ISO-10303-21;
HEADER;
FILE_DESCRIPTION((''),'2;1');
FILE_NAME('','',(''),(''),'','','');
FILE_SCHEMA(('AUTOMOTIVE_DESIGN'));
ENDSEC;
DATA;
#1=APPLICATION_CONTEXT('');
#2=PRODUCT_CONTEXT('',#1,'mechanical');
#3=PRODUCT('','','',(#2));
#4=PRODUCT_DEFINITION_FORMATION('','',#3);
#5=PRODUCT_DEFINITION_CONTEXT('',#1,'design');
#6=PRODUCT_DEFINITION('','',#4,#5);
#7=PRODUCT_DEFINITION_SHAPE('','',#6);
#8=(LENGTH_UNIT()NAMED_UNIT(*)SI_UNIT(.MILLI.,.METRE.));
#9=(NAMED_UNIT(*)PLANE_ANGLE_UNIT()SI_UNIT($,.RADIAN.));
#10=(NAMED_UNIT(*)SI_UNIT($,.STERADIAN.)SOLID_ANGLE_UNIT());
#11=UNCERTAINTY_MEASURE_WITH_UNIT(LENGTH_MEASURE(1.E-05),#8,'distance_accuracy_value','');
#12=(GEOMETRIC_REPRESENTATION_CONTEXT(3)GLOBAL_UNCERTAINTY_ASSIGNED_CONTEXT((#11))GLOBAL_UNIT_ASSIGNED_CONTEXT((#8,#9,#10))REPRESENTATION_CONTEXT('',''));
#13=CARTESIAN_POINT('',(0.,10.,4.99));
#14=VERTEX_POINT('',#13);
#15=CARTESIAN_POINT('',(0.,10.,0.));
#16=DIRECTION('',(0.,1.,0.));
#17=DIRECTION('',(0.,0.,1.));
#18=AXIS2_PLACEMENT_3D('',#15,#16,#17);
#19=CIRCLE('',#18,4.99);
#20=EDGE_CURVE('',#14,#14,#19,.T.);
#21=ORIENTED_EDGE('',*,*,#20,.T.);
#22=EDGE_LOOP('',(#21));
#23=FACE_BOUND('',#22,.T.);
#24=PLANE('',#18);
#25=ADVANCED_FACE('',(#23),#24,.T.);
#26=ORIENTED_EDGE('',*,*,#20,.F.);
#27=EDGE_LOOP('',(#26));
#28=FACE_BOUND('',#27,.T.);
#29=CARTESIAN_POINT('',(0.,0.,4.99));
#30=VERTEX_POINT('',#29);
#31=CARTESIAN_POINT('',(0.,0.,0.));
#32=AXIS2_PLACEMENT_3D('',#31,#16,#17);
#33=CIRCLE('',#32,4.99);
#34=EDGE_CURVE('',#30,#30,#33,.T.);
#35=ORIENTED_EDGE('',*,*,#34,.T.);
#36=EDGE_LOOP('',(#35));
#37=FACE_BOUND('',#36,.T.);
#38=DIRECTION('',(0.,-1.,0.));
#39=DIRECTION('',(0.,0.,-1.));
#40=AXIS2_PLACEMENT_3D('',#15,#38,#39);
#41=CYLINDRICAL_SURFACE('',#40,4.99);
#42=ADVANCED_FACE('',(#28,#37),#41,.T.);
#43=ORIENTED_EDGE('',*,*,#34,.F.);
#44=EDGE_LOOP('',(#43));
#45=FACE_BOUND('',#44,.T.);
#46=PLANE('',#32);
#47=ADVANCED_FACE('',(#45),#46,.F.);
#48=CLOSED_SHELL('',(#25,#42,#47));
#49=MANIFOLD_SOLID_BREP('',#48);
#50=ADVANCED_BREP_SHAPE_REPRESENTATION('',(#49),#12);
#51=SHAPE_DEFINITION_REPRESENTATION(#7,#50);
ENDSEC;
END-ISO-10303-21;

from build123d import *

# Parameters (mm, degrees)
SKETCH_1_R      = 4.99
EXTRUDE_2_DEPTH = 10


with BuildPart() as part:
    # 草图1 → 凸台-拉伸2 (new body)
    with BuildSketch(Plane(origin=(0, 0, 0), x_dir=(1, 0, 0), z_dir=(0, 1, 0))):
        with Locations(Location((0, 0, 0), (0, 0, 270))):
            Circle(SKETCH_1_R)
    extrude(amount=EXTRUDE_2_DEPTH)


solid = part.part
